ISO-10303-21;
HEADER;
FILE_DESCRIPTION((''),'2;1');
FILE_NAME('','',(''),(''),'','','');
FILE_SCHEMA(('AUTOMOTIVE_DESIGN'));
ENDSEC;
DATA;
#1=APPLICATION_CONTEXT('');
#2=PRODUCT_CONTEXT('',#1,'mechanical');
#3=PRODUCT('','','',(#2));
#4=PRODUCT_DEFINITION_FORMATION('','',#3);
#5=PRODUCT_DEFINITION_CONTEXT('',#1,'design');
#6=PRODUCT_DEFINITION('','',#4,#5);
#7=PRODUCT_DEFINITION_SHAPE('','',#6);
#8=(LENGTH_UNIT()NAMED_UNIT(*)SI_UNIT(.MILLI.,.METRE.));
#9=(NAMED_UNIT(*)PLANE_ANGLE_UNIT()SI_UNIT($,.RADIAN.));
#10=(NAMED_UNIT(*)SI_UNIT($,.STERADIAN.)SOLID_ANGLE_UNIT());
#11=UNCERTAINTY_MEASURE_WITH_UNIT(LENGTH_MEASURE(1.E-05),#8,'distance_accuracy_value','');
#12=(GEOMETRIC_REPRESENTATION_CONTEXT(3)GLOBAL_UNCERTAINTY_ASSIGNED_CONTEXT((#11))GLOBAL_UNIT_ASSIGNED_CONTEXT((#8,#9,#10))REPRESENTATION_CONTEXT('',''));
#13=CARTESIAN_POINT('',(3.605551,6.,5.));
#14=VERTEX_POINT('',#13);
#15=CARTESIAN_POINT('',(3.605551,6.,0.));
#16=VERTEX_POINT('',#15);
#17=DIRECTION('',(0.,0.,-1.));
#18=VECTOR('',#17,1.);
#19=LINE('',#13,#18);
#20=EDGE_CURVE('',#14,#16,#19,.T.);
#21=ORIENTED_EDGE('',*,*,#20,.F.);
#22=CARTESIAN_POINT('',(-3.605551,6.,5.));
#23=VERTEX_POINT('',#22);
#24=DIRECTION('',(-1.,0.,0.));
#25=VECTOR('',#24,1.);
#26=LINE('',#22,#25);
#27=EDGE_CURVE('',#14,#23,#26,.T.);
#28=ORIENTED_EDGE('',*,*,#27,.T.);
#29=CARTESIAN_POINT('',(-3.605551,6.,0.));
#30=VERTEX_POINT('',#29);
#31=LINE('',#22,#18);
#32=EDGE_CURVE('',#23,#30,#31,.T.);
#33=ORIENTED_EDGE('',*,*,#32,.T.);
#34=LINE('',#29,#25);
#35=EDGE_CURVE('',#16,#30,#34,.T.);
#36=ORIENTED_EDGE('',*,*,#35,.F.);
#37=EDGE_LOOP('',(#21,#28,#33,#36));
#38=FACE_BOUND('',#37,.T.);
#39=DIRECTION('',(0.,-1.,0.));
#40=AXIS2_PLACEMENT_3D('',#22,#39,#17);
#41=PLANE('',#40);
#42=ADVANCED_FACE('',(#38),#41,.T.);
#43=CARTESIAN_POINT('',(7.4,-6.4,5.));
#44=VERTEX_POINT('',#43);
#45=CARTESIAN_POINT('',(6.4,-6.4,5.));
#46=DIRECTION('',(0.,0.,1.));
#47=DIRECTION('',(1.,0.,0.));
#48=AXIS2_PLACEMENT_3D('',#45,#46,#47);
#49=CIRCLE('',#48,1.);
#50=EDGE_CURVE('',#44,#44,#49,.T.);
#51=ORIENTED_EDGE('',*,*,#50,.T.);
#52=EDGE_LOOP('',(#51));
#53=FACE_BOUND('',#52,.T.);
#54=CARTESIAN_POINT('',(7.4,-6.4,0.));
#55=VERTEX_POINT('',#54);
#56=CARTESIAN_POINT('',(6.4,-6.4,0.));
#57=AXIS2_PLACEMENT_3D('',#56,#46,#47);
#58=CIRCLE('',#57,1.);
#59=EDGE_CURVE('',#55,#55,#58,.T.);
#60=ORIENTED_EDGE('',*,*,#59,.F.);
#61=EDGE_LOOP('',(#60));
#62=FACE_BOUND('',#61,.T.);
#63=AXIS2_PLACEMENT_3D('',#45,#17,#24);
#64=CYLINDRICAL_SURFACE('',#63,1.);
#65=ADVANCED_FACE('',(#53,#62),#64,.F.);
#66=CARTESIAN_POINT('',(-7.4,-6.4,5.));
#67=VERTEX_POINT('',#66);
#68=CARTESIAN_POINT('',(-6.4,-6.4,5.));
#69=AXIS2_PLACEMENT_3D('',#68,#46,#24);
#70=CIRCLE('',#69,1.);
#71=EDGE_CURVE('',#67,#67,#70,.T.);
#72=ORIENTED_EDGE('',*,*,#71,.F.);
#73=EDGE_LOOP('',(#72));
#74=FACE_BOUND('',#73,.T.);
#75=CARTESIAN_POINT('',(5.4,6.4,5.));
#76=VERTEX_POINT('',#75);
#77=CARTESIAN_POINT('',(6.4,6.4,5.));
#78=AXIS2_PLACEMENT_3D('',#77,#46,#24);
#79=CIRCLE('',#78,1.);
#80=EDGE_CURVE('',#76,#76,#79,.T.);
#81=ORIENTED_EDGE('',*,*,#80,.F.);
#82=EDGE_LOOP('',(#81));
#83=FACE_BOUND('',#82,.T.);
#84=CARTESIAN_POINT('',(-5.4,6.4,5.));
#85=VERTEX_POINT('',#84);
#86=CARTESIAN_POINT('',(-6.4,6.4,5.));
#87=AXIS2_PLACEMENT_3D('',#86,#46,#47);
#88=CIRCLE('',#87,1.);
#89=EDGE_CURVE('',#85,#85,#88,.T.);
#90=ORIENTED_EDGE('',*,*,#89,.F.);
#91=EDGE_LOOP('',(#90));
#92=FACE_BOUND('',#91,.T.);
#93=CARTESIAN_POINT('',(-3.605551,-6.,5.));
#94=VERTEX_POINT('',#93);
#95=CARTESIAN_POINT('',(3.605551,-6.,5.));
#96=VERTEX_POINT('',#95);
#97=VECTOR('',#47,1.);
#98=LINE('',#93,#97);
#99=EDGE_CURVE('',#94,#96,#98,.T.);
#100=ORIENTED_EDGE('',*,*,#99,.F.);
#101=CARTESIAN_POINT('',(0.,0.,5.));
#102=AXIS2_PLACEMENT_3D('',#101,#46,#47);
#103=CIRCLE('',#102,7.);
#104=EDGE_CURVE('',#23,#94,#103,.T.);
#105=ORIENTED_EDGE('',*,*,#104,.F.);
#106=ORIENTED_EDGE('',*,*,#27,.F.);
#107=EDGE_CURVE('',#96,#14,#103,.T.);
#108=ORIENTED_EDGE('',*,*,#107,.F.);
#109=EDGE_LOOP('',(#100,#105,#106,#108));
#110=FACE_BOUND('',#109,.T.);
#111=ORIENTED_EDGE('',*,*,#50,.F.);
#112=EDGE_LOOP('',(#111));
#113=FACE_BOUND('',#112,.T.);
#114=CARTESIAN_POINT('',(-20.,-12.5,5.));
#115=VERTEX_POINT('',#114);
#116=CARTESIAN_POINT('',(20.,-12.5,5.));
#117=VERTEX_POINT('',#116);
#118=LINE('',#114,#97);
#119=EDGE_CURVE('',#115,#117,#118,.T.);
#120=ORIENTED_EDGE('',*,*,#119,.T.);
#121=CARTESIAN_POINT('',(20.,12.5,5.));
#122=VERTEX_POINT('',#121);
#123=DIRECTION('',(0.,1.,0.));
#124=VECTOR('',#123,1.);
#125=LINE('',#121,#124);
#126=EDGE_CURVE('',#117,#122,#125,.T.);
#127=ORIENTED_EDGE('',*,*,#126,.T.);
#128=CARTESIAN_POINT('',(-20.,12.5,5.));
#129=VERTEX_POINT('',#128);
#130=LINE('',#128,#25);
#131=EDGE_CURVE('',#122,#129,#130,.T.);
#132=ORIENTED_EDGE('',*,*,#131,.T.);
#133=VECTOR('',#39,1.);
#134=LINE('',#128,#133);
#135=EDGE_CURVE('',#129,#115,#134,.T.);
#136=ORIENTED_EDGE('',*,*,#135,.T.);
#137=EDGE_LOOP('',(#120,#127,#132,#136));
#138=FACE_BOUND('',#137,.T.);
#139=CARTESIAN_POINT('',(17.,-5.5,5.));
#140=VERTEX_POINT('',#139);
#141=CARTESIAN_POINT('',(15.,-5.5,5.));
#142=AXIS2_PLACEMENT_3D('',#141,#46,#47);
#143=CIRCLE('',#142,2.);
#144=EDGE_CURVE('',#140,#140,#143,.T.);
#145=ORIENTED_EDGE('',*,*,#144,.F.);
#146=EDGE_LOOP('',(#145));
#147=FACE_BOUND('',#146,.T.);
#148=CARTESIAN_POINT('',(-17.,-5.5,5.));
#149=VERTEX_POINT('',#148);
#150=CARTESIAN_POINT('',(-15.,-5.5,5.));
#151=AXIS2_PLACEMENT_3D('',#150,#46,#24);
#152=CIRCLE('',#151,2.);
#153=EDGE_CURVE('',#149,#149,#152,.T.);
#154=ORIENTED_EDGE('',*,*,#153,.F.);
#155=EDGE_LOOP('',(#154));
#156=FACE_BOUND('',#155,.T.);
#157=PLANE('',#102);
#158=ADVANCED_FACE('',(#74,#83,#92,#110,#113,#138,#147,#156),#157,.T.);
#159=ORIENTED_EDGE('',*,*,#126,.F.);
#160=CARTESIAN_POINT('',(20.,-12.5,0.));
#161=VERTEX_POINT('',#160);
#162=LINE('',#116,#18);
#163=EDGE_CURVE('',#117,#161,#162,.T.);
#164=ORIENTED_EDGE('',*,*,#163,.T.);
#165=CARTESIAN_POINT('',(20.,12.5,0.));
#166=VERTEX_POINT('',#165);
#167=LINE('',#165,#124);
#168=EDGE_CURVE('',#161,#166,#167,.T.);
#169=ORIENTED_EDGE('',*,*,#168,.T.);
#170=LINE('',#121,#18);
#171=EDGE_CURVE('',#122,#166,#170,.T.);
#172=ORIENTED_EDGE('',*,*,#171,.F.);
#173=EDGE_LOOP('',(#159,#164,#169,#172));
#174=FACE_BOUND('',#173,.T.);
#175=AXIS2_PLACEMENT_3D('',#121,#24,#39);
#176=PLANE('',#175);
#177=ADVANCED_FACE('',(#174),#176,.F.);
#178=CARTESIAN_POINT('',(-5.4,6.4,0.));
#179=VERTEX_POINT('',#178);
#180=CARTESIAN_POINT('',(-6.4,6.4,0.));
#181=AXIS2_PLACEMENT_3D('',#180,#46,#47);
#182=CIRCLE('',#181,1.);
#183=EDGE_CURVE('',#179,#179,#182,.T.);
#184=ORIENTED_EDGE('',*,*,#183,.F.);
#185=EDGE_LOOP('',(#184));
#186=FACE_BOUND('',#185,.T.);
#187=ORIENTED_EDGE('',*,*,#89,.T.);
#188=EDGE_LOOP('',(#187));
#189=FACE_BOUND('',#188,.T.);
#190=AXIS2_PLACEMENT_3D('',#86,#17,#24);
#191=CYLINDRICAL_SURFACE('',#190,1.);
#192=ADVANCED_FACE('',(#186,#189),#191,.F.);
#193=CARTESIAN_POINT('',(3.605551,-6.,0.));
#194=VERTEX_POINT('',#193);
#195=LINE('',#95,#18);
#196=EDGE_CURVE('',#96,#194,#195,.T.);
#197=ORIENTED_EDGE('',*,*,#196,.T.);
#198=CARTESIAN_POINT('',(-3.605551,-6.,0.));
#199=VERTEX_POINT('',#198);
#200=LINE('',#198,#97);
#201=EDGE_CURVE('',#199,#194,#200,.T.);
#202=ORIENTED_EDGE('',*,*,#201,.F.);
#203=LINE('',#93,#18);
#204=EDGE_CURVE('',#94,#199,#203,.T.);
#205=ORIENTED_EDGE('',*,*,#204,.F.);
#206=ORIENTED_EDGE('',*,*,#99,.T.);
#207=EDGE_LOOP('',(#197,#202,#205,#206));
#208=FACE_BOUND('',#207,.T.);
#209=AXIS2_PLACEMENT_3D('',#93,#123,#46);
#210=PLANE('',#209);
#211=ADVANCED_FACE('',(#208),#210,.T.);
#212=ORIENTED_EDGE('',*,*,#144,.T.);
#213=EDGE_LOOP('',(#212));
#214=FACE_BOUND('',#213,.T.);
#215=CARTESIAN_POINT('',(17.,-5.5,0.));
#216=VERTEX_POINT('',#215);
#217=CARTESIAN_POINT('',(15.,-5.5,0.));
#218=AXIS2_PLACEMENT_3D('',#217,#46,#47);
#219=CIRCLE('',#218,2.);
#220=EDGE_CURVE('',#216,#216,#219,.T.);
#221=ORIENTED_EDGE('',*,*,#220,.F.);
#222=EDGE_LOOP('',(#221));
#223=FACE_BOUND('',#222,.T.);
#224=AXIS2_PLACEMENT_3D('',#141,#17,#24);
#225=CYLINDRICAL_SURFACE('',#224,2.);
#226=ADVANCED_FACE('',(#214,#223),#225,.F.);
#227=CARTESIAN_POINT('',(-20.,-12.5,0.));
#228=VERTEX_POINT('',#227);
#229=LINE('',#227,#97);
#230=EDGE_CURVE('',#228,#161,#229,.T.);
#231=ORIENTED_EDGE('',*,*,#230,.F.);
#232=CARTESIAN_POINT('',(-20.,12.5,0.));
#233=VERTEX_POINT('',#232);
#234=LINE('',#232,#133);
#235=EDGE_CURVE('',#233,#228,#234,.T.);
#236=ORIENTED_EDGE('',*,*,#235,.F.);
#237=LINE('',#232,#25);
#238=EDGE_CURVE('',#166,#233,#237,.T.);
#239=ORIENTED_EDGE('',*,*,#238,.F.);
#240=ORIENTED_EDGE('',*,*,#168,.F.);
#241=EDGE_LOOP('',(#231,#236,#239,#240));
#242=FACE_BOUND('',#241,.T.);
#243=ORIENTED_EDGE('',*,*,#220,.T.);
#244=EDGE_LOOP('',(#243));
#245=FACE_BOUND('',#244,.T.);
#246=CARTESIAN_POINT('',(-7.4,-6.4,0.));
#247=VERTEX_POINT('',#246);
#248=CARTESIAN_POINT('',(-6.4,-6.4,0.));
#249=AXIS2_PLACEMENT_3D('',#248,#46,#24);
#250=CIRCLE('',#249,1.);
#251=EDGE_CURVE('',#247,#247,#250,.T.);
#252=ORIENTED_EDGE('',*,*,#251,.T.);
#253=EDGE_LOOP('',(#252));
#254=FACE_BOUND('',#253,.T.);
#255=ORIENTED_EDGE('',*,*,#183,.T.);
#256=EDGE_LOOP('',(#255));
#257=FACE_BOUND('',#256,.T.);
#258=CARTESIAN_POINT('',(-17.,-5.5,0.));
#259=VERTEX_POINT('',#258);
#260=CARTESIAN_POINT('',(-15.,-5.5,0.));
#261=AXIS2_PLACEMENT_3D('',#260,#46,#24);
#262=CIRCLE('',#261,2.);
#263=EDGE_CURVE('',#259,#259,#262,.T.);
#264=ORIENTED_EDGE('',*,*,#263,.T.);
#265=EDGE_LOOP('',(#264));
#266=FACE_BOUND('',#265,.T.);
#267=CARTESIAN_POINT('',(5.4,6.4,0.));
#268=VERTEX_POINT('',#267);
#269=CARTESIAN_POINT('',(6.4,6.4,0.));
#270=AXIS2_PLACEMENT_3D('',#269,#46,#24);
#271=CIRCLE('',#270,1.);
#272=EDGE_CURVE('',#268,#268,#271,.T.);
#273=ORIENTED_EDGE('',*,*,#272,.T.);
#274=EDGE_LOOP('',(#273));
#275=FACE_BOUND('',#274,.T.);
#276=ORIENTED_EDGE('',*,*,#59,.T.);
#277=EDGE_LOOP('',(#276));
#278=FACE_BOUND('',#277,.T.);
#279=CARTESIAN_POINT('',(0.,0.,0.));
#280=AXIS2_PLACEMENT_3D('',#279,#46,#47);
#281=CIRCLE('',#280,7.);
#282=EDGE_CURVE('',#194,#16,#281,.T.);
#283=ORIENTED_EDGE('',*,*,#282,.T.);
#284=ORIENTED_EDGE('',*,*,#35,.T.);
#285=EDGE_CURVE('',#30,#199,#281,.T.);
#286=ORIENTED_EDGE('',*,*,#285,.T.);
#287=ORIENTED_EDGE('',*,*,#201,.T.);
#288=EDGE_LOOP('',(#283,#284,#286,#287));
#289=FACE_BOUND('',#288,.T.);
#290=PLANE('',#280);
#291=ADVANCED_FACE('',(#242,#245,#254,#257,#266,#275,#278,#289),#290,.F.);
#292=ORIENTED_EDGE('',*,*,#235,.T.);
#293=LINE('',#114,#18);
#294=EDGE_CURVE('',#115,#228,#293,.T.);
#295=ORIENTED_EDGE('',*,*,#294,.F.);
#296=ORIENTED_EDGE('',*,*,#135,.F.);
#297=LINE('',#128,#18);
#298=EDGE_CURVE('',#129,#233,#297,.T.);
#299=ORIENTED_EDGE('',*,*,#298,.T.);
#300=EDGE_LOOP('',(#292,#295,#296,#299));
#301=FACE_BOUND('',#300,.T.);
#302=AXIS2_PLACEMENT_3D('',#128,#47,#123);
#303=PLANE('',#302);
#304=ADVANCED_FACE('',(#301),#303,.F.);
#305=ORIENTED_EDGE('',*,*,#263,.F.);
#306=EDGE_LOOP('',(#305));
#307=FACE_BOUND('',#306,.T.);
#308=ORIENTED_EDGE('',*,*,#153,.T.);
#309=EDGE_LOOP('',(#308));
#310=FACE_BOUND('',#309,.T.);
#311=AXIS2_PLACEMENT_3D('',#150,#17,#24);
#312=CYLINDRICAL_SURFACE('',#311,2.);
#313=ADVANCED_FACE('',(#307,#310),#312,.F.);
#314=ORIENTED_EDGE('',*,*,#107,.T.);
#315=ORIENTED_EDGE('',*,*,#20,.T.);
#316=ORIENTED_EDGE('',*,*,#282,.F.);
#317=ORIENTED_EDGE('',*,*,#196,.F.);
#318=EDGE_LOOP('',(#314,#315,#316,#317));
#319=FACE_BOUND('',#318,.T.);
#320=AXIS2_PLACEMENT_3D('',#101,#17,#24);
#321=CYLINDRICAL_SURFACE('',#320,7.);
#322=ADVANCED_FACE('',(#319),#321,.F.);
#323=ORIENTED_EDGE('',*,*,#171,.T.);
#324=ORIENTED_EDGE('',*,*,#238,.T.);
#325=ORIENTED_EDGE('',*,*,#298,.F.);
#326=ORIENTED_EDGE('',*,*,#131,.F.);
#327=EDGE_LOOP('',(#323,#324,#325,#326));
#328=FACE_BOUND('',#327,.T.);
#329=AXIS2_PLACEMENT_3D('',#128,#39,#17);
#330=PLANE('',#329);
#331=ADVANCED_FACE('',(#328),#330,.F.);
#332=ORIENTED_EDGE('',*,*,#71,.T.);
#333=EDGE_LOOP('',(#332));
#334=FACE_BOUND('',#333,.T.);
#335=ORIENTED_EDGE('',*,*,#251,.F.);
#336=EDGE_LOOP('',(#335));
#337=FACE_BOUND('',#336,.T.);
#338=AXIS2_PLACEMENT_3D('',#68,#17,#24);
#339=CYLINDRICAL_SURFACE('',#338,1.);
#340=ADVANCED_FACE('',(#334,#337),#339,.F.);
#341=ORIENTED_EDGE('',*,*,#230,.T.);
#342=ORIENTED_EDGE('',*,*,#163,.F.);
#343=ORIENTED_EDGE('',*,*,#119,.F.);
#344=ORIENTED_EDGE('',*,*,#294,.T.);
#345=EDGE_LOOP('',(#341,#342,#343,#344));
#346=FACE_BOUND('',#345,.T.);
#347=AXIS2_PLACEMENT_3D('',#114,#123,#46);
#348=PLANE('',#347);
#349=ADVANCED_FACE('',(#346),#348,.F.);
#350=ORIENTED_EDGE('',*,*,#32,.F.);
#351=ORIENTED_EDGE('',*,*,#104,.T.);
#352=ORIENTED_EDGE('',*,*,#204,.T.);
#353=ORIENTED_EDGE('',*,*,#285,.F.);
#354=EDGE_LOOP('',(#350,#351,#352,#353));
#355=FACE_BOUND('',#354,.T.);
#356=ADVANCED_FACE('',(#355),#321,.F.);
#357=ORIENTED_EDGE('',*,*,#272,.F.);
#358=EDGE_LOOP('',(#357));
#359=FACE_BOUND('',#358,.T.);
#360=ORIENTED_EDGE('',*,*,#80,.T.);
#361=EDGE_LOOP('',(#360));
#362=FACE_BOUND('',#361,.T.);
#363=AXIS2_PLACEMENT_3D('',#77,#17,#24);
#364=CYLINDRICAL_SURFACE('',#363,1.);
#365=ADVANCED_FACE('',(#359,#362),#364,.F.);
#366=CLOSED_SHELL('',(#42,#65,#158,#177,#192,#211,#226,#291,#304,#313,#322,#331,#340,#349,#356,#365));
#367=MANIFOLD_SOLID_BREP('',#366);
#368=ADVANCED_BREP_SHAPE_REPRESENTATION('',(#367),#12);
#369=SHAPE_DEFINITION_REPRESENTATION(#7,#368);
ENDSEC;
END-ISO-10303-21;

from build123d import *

# Parameters (mm, degrees)
SKETCH1_W           = 40
SKETCH1_H           = 25
SKETCH1_R           = 2
SKETCH1_R_2         = 1
BOSS_EXTRUDE1_DEPTH = 5


with BuildPart() as part:
    # Sketch1 → Boss-Extrude1 (new body)
    with BuildSketch(Plane.XY):
        Rectangle(SKETCH1_W, SKETCH1_H)
        with Locations((15, -5.5)):
            Circle(SKETCH1_R, mode=Mode.SUBTRACT)
        with Locations((-6.4, 6.4)):
            Circle(SKETCH1_R_2, mode=Mode.SUBTRACT)
        with Locations((-15, -5.5)):
            Circle(SKETCH1_R, mode=Mode.SUBTRACT)
        with Locations((6.4, 6.4)):
            Circle(SKETCH1_R_2, mode=Mode.SUBTRACT)
        with Locations((6.4, -6.4)):
            Circle(SKETCH1_R_2, mode=Mode.SUBTRACT)
        with Locations((-6.4, -6.4)):
            Circle(SKETCH1_R_2, mode=Mode.SUBTRACT)
        with BuildLine():
            Line((-3.605551275, 6), (3.605551275, 6))
            ThreePointArc((3.605551275, 6), (7, 0), (3.605551275, -6))
            Line((3.605551275, -6), (-3.605551275, -6))
            ThreePointArc((-3.605551275, -6), (-7, 0), (-3.605551275, 6))
        make_face(mode=Mode.SUBTRACT)
    extrude(amount=BOSS_EXTRUDE1_DEPTH)


solid = part.part
